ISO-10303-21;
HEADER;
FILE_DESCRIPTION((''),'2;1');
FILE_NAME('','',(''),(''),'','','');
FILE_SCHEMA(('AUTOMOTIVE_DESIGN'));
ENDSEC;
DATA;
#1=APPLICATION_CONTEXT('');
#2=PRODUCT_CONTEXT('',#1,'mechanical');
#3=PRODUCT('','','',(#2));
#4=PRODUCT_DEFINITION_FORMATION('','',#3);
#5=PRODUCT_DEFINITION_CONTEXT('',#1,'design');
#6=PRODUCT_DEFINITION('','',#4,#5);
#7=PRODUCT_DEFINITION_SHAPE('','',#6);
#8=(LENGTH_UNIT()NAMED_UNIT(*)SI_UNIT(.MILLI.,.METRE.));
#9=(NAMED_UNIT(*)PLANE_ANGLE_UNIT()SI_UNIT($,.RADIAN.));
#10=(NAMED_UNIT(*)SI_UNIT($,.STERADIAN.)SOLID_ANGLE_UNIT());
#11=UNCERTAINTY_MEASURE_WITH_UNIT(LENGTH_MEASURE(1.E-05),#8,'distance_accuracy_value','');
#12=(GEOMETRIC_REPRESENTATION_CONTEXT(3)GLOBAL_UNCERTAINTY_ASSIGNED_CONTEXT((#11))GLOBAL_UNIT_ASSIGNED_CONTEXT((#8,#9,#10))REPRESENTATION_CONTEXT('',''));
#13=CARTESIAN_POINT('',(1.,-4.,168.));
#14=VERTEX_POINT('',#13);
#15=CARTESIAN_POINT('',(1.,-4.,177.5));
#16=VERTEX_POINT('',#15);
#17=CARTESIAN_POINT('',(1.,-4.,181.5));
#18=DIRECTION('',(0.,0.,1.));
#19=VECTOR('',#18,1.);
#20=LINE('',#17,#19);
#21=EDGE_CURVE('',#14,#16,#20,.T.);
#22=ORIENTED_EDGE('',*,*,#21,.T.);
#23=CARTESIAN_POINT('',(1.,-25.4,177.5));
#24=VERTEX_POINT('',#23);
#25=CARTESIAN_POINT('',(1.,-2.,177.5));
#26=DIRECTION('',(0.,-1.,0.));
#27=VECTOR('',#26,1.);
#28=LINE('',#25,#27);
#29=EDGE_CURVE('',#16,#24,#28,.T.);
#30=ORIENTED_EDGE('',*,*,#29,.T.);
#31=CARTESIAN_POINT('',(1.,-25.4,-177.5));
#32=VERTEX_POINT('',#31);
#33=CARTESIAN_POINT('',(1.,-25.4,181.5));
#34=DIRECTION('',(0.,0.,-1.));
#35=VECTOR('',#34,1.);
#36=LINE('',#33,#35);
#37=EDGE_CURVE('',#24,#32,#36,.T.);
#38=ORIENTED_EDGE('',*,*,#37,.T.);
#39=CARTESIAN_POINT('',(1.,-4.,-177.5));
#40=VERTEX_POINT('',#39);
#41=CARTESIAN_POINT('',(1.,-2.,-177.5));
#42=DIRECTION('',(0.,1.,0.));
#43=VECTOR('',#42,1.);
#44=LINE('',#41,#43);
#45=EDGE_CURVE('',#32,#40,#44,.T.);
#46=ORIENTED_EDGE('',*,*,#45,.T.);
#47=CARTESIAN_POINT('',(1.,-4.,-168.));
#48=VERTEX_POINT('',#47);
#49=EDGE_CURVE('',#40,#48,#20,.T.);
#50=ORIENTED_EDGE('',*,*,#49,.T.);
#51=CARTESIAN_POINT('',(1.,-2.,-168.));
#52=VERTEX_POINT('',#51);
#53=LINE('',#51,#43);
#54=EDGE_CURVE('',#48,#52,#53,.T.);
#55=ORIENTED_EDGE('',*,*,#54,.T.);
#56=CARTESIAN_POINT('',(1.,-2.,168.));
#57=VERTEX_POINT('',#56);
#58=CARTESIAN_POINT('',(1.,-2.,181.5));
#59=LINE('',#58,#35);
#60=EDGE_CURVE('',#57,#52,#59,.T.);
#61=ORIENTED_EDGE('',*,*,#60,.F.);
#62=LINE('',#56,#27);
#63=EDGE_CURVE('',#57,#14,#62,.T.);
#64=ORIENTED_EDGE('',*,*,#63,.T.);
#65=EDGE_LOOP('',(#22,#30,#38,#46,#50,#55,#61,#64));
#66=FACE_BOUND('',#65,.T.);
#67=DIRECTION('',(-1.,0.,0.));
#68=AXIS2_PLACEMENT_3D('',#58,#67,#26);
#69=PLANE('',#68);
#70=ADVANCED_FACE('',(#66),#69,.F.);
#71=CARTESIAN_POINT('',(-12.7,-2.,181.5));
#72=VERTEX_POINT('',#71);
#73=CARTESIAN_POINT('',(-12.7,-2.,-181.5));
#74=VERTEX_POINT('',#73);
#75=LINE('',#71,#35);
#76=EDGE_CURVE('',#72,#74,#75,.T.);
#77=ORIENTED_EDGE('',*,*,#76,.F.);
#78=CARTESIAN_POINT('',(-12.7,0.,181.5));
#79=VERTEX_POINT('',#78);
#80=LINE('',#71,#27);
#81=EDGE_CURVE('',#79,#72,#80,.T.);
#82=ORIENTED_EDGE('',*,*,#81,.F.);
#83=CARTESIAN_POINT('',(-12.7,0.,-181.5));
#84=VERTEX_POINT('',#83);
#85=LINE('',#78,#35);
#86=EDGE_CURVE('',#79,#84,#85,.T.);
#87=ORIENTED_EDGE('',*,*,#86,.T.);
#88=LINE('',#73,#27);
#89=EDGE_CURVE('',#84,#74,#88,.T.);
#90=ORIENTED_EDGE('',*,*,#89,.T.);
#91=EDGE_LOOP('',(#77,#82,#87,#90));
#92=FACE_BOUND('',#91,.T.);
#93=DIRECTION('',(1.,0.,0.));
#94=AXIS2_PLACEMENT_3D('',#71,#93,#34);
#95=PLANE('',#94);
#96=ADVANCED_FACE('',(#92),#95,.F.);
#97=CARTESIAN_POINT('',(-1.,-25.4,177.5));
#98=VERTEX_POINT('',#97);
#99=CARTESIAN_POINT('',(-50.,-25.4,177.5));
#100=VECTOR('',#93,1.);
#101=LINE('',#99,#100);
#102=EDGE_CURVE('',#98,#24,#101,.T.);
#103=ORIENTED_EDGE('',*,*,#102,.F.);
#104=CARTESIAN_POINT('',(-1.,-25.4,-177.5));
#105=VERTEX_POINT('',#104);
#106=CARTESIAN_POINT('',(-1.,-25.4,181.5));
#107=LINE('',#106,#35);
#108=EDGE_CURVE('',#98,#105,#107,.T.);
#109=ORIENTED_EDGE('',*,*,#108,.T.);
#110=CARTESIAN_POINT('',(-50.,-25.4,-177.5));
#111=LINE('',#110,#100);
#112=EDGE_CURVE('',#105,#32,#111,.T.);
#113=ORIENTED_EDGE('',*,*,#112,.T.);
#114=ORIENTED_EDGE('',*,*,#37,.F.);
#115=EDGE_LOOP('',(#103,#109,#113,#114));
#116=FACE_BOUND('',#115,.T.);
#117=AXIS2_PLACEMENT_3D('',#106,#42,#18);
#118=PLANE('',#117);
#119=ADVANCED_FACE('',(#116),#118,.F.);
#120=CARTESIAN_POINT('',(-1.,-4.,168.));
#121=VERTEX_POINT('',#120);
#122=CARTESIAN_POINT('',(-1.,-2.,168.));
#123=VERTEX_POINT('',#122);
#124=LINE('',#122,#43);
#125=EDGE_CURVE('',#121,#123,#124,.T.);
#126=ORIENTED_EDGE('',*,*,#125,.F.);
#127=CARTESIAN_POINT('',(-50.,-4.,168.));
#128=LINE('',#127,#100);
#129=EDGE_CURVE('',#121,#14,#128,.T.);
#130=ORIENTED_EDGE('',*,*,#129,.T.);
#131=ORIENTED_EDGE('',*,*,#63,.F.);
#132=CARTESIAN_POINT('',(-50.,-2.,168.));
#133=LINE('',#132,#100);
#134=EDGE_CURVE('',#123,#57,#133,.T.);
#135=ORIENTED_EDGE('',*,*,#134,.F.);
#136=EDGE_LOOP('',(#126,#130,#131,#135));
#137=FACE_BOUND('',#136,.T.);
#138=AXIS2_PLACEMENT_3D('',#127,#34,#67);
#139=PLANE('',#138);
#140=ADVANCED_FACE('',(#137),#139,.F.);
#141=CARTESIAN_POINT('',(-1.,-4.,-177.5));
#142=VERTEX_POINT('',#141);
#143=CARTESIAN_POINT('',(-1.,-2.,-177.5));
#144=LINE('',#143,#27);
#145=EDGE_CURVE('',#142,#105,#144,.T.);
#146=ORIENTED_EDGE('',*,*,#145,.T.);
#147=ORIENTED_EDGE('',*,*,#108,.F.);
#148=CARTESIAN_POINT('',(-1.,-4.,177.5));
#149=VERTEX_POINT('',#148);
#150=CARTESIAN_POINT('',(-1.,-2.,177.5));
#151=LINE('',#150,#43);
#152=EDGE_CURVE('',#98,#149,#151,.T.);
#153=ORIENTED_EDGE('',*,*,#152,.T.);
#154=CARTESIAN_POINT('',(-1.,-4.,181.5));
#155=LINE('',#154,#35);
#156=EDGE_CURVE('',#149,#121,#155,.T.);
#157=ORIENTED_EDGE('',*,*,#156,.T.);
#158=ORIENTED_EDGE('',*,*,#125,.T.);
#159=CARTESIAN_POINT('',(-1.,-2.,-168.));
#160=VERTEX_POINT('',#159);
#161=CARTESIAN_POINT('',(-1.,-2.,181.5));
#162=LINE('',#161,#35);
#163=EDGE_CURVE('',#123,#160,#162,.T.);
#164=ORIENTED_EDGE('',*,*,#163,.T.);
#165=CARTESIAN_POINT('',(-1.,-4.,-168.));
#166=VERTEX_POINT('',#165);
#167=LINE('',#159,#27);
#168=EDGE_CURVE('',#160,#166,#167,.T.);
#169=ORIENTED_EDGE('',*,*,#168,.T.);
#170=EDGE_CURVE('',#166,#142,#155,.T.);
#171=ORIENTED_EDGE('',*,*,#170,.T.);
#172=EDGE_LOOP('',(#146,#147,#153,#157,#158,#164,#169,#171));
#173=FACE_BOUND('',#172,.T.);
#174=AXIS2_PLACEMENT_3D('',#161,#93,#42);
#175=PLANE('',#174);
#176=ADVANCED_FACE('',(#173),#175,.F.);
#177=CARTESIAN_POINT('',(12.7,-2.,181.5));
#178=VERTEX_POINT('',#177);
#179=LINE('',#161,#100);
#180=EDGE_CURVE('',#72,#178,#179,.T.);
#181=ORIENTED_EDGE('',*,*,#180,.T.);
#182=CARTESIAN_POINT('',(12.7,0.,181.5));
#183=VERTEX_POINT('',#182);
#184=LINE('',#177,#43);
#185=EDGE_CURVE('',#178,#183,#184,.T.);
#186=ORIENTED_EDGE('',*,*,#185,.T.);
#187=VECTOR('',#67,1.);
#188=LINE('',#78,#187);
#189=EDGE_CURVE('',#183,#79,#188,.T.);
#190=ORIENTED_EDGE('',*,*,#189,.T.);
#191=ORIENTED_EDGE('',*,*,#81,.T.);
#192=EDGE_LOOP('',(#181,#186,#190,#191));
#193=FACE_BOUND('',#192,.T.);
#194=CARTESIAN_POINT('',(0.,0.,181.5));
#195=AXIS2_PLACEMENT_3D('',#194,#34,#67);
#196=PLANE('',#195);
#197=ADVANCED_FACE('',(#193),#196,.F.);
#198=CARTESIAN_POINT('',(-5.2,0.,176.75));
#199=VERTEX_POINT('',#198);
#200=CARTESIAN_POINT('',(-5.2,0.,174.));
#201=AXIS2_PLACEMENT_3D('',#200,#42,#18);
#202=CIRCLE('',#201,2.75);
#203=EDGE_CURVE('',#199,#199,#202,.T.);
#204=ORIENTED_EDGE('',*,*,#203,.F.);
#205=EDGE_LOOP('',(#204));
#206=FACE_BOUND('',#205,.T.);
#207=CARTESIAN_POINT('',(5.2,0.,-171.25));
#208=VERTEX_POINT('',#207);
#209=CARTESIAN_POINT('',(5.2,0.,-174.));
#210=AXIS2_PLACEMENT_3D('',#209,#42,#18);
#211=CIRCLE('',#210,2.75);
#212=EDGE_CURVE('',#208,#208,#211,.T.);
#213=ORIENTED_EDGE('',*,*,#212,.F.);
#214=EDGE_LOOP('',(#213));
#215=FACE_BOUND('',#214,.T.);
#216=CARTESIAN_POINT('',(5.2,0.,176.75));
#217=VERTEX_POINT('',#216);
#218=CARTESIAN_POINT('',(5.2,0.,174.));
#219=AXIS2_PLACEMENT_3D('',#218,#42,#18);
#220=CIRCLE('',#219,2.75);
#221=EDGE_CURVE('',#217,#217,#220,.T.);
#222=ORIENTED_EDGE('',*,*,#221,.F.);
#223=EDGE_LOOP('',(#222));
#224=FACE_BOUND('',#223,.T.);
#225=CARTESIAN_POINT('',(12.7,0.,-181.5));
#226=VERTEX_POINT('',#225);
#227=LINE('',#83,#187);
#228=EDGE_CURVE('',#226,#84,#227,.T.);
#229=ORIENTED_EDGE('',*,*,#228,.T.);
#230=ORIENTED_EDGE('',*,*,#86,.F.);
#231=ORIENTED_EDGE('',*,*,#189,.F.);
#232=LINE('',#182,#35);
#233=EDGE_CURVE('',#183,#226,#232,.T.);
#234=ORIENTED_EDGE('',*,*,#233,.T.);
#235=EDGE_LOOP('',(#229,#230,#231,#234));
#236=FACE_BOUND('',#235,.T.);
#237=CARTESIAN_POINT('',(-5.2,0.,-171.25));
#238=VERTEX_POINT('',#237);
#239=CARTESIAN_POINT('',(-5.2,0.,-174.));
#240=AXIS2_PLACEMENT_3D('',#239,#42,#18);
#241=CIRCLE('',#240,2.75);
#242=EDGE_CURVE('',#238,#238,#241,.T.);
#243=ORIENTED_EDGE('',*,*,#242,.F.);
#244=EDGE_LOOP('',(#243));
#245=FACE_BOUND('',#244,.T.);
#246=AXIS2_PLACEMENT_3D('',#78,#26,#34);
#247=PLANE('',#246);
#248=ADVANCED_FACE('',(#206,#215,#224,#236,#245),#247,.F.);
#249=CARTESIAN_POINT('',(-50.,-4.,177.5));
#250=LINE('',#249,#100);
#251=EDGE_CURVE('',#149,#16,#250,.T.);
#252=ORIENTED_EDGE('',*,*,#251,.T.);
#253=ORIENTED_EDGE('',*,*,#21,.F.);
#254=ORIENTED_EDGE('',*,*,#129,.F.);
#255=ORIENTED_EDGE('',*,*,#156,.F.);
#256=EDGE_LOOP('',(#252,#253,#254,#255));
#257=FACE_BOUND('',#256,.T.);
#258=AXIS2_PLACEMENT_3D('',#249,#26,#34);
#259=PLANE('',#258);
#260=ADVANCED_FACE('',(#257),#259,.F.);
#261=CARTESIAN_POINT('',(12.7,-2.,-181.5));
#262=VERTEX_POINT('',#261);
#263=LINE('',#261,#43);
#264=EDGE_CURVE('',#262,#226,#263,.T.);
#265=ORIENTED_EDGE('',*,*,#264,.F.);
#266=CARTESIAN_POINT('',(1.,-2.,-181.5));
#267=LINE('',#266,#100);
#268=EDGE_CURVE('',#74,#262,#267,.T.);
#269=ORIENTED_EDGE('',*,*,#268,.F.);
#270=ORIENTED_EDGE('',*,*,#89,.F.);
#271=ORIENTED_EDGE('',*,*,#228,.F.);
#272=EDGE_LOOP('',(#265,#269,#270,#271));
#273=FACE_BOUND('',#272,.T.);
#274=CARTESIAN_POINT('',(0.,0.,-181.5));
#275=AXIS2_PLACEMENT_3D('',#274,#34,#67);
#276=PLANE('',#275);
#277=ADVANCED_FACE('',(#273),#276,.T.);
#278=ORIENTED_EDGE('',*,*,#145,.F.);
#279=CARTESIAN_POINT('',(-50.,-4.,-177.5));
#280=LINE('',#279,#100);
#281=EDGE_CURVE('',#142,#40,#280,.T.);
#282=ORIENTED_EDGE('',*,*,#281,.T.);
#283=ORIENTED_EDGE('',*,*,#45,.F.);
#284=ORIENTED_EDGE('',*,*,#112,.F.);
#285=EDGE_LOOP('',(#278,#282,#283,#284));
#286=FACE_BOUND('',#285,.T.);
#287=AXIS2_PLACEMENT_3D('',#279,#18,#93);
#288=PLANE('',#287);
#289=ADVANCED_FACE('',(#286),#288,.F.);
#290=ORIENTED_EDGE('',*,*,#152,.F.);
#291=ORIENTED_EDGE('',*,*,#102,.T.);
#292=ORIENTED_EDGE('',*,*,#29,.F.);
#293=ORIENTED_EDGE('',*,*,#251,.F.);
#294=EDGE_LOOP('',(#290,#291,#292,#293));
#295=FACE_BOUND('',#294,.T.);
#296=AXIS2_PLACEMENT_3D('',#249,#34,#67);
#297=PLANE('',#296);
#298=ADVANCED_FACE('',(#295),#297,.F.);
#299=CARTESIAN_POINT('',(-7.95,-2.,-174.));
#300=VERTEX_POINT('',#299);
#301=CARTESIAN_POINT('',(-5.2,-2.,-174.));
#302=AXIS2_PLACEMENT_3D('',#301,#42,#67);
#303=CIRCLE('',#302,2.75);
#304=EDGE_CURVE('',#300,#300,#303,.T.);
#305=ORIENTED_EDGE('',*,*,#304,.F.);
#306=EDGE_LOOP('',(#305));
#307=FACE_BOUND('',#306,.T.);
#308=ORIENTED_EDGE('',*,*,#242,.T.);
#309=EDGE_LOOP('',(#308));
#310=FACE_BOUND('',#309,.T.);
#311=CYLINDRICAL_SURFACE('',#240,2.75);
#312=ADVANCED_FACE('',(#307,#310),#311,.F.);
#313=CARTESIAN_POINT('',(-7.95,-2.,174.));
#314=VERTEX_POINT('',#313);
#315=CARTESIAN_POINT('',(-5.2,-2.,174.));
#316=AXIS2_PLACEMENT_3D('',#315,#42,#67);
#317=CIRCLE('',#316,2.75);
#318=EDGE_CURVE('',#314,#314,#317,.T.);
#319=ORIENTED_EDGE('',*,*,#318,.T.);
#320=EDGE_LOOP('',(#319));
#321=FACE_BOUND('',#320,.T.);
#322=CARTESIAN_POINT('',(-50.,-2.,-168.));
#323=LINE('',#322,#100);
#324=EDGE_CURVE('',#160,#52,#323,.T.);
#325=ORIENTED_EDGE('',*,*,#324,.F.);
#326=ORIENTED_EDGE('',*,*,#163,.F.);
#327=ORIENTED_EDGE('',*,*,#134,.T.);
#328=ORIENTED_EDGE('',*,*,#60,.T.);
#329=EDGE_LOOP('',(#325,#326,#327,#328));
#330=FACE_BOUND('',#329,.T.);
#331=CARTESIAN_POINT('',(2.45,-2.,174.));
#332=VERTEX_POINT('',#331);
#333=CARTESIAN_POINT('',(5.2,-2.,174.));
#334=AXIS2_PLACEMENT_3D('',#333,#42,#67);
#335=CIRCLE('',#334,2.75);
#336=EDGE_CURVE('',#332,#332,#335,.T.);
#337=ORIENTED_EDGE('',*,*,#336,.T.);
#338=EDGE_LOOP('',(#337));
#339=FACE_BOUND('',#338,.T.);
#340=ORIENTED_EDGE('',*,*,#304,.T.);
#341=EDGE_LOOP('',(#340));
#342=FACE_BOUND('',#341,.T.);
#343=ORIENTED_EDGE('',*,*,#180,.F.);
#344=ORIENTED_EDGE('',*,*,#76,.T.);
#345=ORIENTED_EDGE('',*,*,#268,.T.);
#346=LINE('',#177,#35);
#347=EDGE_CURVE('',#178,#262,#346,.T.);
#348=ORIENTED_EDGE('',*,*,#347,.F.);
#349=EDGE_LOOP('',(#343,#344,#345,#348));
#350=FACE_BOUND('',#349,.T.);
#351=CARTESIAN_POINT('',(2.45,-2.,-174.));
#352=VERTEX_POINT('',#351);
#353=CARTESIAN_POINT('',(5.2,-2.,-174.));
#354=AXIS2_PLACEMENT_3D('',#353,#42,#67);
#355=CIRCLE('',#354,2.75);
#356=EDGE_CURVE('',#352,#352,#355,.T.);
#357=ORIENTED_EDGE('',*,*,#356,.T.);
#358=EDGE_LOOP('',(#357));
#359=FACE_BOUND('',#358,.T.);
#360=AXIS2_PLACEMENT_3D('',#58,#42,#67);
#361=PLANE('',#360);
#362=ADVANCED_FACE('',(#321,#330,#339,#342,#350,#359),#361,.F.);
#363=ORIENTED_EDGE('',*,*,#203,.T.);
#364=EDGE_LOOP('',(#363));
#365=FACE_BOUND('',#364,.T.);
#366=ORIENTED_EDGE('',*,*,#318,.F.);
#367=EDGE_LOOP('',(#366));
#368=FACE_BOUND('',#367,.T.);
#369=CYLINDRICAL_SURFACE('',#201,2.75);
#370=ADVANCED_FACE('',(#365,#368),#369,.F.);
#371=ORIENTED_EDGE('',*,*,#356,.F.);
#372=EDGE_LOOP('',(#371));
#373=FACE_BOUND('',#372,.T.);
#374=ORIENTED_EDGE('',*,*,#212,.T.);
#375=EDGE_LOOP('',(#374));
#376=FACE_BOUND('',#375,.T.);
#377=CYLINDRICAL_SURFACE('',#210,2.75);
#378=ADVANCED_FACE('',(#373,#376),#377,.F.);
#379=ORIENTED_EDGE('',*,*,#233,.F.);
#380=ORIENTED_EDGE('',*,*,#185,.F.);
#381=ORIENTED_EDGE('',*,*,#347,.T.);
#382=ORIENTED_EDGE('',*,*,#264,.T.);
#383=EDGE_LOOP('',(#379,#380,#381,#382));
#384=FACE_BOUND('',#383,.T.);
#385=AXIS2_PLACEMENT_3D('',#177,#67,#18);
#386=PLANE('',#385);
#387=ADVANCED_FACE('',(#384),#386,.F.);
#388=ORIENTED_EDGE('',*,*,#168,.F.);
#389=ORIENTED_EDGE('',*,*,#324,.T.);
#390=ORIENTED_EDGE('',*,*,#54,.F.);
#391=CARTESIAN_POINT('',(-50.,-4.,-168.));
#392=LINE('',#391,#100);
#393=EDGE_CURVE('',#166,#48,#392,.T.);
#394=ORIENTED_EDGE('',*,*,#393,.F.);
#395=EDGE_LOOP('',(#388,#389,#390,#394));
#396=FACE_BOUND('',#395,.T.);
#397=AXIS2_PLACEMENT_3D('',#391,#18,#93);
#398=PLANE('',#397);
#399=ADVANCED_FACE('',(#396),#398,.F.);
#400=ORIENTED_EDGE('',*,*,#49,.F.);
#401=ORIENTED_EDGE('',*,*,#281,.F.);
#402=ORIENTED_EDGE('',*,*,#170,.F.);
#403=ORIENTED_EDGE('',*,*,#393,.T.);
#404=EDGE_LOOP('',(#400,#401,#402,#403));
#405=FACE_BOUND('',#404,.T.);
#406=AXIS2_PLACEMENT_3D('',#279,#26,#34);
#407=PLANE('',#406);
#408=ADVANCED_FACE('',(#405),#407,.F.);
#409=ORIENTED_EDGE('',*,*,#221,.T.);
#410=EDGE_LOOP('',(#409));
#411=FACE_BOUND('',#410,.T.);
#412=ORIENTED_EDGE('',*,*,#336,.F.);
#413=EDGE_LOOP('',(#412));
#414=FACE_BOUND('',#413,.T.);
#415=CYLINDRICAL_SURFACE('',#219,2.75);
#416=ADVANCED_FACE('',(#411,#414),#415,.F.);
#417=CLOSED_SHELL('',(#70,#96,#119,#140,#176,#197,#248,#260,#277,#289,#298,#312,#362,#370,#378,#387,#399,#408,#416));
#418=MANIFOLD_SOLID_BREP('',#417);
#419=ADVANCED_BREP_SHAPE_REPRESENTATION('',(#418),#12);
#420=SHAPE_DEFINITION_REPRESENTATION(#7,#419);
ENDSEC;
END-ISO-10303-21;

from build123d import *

# Parameters (mm, degrees)
RESSALTO_EXTRUS_O1_DEPTH     = 181.5
CORTE_EXTRUS_O2_DEPTH        = 50
FURO_DE_DI_METRO_5_5_5_5_1_D = 5.5


with BuildPart() as part:
    # Esboço1 → Ressalto-extrusão1 (new, symmetric)
    with BuildSketch(Plane.XY):
        Polygon((-12.7, 0), (12.7, 0), (12.7, -2), (1, -2), (1, -25.4), (-1, -25.4), (-1, -2), (-12.7, -2), align=None)
    extrude(amount=RESSALTO_EXTRUS_O1_DEPTH, both=True)

    # Esboço3 → Corte-extrusão2 (cut, symmetric)
    with BuildSketch(Plane(origin=(0, 0, 0), x_dir=(0, 0, -1), z_dir=(1, 0, 0))):
        Polygon((-177.5, -4), (-168, -4), (-168, -2), (-181.5, -2), (-181.5, -25.4), (-177.5, -25.4), align=None)
        Polygon((181.5, -25.4), (177.5, -25.4), (177.5, -4), (168, -4), (168, -2), (181.5, -2), align=None)
    extrude(amount=CORTE_EXTRUS_O2_DEPTH, both=True, mode=Mode.SUBTRACT)

    # Furo de diâmetro Ø5.5 (5.5)1 (through all)
    with Locations(Plane(origin=(0, 0, 0), x_dir=(1, 0, 0), z_dir=(0, 1, 0))):
        with Locations((5.2, -174), (-5.2, -174), (-5.2, 174), (5.2, 174)):
            Hole(FURO_DE_DI_METRO_5_5_5_5_1_D / 2)


solid = part.part
